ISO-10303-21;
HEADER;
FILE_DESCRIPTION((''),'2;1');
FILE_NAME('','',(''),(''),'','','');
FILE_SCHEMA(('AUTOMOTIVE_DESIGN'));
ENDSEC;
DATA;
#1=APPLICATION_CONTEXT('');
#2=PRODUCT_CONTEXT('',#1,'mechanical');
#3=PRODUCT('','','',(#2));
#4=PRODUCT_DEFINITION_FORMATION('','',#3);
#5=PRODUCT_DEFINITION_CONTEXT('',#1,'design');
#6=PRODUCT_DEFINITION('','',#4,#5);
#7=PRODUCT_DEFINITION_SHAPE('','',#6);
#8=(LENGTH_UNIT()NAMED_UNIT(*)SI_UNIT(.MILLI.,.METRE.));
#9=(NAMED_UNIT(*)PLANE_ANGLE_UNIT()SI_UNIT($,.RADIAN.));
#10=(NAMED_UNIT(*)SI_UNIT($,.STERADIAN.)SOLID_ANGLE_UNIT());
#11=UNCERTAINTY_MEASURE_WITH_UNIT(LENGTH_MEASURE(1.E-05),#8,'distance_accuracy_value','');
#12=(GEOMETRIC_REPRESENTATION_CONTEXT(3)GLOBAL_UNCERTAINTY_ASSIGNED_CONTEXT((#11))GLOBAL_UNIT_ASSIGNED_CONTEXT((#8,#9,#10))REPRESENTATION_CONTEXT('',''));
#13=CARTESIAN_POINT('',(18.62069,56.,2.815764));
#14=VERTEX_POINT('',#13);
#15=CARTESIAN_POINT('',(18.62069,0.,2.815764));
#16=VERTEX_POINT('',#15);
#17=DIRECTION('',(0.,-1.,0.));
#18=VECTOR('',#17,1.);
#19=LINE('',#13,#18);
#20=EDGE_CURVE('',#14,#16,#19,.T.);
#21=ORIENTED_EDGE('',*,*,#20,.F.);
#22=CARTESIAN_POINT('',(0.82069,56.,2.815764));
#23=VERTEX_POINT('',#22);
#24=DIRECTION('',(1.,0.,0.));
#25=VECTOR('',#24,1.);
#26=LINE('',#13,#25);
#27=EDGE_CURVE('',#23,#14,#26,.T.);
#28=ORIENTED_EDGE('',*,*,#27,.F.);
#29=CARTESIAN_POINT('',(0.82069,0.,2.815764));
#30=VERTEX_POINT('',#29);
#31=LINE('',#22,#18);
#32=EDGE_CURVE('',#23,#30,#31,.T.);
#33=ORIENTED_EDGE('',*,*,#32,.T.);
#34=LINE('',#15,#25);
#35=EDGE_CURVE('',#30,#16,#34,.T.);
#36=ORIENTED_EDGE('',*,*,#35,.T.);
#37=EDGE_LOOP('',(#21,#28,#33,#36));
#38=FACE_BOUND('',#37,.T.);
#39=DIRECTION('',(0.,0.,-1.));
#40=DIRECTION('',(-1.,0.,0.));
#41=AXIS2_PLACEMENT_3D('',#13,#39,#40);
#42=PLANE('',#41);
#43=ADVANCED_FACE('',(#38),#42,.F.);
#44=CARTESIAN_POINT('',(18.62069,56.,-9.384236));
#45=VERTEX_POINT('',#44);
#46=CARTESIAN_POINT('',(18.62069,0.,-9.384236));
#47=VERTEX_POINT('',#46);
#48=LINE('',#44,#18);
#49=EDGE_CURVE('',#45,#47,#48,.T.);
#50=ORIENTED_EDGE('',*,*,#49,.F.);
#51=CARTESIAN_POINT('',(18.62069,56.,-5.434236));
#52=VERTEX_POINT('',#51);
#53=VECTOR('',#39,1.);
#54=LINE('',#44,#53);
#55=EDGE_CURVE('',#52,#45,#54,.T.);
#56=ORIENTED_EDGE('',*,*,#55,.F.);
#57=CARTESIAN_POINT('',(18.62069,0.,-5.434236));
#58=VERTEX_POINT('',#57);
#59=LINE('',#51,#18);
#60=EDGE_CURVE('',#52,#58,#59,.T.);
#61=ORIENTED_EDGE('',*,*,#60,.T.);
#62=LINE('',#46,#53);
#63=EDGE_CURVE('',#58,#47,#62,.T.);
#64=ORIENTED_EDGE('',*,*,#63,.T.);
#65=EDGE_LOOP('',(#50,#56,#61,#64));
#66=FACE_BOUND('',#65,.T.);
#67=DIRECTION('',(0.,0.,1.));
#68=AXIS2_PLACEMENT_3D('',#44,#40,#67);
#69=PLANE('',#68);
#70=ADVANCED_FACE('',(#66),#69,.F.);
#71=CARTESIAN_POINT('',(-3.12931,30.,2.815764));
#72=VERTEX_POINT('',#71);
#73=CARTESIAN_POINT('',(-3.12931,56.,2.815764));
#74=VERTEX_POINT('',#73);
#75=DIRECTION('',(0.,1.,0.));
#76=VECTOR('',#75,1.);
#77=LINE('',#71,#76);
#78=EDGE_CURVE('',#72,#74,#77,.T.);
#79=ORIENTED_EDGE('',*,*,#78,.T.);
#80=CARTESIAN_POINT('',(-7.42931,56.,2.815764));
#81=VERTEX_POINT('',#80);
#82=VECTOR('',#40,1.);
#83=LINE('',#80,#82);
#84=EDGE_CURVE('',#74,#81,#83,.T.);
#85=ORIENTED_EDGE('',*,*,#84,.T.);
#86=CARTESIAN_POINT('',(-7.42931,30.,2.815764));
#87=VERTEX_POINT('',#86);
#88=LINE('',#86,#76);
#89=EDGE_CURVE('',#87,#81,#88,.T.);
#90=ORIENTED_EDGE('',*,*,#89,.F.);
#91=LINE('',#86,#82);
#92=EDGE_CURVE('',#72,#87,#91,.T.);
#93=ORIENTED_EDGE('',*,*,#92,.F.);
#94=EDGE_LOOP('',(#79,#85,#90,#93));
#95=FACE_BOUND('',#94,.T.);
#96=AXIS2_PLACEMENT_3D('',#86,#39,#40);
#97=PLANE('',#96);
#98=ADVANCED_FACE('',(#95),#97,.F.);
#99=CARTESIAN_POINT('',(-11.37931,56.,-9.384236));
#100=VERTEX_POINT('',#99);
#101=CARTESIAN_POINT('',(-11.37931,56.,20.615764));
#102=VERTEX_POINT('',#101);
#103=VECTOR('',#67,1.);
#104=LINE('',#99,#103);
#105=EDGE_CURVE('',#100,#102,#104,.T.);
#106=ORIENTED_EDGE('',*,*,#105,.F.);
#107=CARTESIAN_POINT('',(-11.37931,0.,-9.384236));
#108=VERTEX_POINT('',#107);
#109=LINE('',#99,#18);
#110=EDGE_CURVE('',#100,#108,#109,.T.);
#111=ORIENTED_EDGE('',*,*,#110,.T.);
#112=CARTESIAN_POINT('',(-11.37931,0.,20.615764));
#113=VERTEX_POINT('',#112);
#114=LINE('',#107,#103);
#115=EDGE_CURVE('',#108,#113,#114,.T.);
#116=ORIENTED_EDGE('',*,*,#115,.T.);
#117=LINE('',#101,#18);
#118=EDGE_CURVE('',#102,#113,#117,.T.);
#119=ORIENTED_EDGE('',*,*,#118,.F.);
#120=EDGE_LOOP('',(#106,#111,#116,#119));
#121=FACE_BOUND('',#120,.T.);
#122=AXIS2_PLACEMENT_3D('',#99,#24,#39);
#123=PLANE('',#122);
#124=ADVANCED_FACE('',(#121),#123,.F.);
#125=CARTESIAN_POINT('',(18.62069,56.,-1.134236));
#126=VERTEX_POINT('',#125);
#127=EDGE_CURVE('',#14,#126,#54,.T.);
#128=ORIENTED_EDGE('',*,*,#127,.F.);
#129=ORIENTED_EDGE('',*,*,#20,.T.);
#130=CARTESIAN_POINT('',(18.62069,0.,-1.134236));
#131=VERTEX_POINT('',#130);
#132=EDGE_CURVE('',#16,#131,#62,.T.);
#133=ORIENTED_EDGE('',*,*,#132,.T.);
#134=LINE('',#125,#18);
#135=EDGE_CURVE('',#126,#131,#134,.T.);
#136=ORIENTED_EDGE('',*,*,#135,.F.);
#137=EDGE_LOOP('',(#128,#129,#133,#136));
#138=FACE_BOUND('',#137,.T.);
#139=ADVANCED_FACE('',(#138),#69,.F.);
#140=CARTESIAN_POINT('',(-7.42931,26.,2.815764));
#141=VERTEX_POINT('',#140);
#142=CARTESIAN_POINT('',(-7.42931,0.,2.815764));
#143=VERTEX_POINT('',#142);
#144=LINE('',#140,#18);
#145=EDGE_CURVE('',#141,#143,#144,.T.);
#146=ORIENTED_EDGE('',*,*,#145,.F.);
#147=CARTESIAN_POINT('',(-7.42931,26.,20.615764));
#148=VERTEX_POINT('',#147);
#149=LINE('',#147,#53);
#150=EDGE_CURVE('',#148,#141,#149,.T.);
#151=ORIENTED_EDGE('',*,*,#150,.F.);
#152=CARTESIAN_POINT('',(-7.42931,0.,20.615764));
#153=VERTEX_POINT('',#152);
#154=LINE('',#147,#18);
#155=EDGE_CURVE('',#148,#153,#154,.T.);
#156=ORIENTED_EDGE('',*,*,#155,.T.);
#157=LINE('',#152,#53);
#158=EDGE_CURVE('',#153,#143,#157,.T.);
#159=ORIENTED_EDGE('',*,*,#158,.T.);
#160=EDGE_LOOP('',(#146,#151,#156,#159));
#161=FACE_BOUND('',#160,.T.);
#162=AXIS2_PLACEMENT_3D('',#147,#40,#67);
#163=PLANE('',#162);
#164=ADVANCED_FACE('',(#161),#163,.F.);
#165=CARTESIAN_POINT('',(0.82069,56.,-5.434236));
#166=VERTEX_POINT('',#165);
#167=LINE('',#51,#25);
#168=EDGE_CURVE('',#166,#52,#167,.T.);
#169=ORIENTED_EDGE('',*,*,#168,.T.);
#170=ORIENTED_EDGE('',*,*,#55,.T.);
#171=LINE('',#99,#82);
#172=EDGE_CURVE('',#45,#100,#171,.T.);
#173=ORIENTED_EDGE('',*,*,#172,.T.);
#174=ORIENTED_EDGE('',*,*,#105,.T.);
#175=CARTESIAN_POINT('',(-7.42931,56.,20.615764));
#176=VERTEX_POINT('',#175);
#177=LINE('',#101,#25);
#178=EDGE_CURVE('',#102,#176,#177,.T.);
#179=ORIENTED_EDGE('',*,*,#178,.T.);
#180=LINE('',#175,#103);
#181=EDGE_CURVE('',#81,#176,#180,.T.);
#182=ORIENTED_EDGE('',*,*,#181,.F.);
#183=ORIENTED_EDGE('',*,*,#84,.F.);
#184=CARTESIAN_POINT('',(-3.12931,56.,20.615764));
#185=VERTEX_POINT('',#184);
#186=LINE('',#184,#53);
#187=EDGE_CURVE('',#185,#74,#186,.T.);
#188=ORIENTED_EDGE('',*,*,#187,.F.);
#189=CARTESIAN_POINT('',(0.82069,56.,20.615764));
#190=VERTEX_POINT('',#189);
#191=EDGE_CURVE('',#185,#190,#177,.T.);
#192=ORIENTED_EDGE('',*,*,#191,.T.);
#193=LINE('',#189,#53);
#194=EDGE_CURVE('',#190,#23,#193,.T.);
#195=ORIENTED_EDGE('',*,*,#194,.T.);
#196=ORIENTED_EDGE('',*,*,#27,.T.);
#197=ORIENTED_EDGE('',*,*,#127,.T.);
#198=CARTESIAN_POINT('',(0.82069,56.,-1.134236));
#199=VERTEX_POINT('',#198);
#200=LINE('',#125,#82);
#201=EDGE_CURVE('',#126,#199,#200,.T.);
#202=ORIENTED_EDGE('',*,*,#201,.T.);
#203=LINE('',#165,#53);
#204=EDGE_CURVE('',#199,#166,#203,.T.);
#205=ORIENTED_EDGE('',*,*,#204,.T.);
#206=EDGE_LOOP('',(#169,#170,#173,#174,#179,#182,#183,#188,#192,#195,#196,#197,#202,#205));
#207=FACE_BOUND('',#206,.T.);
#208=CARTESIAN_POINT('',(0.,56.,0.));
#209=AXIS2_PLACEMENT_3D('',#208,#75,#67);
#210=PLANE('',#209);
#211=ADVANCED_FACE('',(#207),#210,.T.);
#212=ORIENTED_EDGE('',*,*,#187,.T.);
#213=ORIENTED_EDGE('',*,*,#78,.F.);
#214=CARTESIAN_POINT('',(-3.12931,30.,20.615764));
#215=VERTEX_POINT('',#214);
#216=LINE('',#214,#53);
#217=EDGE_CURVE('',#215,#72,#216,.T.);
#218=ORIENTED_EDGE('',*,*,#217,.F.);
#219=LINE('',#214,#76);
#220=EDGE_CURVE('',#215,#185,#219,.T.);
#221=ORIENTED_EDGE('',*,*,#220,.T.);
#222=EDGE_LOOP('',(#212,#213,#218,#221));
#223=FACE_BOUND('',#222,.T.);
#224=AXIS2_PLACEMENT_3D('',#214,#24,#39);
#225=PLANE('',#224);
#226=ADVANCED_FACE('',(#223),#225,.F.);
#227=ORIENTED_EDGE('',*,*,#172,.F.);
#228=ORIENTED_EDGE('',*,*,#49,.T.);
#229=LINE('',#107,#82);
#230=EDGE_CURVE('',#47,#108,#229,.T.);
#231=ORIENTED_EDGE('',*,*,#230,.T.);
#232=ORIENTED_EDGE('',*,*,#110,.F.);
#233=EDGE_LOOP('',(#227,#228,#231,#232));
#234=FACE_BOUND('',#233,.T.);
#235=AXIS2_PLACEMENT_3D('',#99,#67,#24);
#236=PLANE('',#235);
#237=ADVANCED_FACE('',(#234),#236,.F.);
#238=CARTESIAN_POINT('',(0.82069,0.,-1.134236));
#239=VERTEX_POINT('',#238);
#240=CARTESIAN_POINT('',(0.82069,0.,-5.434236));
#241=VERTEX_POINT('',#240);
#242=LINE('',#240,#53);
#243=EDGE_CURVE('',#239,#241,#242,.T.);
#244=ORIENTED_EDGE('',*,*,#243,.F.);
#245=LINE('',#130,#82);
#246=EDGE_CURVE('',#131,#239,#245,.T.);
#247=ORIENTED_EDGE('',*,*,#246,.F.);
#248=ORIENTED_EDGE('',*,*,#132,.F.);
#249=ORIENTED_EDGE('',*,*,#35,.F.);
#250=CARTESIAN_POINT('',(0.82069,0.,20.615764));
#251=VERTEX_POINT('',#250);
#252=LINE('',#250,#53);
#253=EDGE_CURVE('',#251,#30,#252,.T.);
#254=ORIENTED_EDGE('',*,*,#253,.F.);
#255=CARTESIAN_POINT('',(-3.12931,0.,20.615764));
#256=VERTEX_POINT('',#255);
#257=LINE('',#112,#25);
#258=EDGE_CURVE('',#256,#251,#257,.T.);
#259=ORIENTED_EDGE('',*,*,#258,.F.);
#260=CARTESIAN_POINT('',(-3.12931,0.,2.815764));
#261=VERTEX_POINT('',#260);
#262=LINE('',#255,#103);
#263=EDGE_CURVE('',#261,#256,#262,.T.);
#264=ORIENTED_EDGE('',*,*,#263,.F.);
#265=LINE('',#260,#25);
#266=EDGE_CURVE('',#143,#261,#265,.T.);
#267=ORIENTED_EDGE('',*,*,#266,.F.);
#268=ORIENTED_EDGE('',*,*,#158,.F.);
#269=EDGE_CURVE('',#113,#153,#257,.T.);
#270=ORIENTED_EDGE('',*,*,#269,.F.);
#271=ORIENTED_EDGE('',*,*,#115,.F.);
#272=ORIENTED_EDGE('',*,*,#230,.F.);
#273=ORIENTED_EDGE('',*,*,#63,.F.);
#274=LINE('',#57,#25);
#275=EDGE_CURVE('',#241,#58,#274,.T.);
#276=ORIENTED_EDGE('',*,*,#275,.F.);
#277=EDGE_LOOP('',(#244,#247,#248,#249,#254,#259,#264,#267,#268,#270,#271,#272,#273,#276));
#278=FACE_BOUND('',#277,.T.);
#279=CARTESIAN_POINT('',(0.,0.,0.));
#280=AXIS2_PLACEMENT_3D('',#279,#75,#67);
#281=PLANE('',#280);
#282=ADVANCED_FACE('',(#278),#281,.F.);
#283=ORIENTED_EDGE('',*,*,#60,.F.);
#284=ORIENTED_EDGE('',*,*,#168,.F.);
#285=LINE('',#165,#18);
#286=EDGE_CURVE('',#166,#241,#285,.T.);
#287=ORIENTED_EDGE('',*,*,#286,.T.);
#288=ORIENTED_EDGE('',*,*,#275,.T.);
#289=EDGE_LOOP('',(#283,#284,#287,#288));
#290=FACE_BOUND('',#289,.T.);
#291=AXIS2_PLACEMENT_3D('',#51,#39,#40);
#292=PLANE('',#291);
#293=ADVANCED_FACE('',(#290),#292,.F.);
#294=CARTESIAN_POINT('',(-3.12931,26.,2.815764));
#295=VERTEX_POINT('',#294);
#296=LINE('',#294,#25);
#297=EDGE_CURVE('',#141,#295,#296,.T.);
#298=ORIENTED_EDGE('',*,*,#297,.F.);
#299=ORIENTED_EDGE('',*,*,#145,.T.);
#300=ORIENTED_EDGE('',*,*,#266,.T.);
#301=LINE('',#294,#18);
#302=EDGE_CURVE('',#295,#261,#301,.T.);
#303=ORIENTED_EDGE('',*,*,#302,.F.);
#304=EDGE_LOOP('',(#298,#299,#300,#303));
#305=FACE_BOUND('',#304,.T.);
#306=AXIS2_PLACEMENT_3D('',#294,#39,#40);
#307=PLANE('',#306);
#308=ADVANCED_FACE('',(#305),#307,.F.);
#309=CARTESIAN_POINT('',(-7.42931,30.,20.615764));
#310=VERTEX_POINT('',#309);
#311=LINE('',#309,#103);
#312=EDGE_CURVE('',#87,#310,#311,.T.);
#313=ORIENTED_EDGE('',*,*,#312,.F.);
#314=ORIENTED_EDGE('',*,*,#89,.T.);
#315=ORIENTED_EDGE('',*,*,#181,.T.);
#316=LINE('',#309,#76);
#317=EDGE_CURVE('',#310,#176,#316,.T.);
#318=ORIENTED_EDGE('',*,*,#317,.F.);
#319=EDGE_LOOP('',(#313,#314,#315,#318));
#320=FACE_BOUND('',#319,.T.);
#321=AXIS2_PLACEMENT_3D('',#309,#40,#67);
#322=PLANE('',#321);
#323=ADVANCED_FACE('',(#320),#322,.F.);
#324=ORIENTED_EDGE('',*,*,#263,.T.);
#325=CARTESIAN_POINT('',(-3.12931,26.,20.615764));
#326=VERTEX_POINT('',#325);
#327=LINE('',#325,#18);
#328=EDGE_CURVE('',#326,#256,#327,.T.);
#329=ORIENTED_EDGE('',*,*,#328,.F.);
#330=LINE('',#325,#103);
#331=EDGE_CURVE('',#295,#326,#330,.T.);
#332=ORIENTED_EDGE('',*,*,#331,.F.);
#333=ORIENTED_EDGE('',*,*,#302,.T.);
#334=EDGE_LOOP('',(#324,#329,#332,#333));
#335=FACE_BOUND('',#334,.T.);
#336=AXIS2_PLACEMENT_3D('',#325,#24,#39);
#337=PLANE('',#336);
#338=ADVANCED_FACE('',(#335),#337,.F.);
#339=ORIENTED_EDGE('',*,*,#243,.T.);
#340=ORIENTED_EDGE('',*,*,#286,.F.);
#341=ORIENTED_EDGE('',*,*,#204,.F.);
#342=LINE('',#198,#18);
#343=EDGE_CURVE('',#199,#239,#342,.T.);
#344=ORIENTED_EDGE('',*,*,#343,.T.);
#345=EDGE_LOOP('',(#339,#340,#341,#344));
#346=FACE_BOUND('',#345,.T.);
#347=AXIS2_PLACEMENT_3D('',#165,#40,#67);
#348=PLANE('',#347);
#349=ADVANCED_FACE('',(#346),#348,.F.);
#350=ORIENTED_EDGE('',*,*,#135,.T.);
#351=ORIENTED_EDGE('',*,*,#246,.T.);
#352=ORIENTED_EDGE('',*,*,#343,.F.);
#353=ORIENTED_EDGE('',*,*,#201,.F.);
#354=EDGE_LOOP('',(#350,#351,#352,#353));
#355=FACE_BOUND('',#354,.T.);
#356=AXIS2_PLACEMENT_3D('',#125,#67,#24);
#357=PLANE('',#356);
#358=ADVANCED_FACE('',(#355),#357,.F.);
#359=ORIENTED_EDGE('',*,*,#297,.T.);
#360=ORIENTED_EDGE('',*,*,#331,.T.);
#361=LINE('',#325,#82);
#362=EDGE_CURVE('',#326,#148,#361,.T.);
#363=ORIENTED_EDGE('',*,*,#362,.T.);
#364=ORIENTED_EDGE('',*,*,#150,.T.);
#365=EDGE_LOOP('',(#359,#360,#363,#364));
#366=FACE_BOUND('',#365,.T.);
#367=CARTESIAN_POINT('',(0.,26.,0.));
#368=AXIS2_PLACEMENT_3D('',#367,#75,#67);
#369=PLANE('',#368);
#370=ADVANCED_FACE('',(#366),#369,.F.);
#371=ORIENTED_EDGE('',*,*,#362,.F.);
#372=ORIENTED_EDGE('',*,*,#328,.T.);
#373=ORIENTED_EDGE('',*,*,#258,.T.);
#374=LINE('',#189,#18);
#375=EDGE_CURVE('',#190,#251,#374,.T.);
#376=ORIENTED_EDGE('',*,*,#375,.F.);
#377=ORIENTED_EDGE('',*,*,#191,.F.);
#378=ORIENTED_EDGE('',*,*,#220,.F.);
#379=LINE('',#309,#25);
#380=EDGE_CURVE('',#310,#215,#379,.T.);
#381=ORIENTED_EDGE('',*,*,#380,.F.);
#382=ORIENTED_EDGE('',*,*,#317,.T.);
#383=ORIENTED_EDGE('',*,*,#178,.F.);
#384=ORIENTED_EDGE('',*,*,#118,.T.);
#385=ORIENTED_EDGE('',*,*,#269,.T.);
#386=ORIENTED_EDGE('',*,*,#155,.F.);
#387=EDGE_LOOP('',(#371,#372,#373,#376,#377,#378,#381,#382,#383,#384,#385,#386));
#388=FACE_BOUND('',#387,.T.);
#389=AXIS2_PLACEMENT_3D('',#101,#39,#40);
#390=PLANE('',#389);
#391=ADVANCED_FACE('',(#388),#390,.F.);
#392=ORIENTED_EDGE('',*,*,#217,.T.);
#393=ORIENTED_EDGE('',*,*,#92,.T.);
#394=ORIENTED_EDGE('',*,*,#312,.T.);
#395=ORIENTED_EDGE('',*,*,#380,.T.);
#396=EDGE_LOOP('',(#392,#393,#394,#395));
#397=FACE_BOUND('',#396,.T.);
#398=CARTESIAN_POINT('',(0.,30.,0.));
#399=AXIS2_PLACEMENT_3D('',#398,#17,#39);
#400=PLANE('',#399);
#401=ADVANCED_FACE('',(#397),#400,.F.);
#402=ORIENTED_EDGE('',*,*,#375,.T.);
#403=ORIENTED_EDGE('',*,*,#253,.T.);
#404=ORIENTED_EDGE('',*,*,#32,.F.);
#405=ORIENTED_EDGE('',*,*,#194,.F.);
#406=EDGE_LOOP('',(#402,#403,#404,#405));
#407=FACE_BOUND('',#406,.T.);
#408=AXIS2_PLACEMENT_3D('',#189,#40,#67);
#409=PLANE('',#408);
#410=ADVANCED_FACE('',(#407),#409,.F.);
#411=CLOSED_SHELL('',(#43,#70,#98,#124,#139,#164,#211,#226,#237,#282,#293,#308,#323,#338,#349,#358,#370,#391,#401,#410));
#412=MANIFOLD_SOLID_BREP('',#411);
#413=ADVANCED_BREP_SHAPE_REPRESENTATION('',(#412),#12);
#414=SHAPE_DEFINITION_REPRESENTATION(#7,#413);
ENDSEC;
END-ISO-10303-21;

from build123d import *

# Parameters (mm, degrees)
ESQUISSE1_W             = 30
ESQUISSE1_H             = 30
BOSS_EXTRU_1_DEPTH      = 56
ESQUISSE2_W             = 17.8
ESQUISSE2_H             = 4.3
ESQUISSE2_H_2           = 17.8
ENL_V_MAT_EXTRU_1_DEPTH = 57
ESQUISSE3_W             = 4.3
ESQUISSE3_H             = 17.8
ENL_V_MAT_EXTRU_2_DEPTH = 26
ESQUISSE6_W             = 4.3
ESQUISSE6_H             = 17.8
ENL_V_MAT_EXTRU_4_DEPTH = 26


with BuildPart() as part:
    # Esquisse1 → Boss.-Extru.1 (new body)
    with BuildSketch(Plane(origin=(0, 0, 0), x_dir=(1, 0, 0), z_dir=(0, 1, 0))):
        with Locations((3.620689655, -5.615763547)):
            Rectangle(ESQUISSE1_W, ESQUISSE1_H)
    extrude(amount=BOSS_EXTRU_1_DEPTH)

    # Esquisse2 → Enlèv. mat.-Extru.1 (cut, through all)
    with BuildSketch(Plane.XZ):
        with Locations((9.720689655, -3.284236453)):
            Rectangle(ESQUISSE2_W, ESQUISSE2_H)
        with Locations((9.720689655, 11.715763547)):
            Rectangle(ESQUISSE2_W, ESQUISSE2_H_2)
    extrude(amount=-ENL_V_MAT_EXTRU_1_DEPTH, mode=Mode.SUBTRACT)

    # Esquisse3 → Enlèv. mat.-Extru.2 (cut)
    with BuildSketch(Plane.XZ):
        with Locations((-5.279310345, 11.715763547)):
            Rectangle(ESQUISSE3_W, ESQUISSE3_H)
    extrude(amount=-ENL_V_MAT_EXTRU_2_DEPTH, mode=Mode.SUBTRACT)

    # Esquisse6 → Enlèv. mat.-Extru.4 (cut)
    with BuildSketch(Plane(origin=(0, 56, 0), x_dir=(1, 0, 0), z_dir=(0, 1, 0))):
        with Locations((-5.279310345, -11.715763547)):
            Rectangle(ESQUISSE6_W, ESQUISSE6_H)
    extrude(amount=-ENL_V_MAT_EXTRU_4_DEPTH, mode=Mode.SUBTRACT)


solid = part.part
